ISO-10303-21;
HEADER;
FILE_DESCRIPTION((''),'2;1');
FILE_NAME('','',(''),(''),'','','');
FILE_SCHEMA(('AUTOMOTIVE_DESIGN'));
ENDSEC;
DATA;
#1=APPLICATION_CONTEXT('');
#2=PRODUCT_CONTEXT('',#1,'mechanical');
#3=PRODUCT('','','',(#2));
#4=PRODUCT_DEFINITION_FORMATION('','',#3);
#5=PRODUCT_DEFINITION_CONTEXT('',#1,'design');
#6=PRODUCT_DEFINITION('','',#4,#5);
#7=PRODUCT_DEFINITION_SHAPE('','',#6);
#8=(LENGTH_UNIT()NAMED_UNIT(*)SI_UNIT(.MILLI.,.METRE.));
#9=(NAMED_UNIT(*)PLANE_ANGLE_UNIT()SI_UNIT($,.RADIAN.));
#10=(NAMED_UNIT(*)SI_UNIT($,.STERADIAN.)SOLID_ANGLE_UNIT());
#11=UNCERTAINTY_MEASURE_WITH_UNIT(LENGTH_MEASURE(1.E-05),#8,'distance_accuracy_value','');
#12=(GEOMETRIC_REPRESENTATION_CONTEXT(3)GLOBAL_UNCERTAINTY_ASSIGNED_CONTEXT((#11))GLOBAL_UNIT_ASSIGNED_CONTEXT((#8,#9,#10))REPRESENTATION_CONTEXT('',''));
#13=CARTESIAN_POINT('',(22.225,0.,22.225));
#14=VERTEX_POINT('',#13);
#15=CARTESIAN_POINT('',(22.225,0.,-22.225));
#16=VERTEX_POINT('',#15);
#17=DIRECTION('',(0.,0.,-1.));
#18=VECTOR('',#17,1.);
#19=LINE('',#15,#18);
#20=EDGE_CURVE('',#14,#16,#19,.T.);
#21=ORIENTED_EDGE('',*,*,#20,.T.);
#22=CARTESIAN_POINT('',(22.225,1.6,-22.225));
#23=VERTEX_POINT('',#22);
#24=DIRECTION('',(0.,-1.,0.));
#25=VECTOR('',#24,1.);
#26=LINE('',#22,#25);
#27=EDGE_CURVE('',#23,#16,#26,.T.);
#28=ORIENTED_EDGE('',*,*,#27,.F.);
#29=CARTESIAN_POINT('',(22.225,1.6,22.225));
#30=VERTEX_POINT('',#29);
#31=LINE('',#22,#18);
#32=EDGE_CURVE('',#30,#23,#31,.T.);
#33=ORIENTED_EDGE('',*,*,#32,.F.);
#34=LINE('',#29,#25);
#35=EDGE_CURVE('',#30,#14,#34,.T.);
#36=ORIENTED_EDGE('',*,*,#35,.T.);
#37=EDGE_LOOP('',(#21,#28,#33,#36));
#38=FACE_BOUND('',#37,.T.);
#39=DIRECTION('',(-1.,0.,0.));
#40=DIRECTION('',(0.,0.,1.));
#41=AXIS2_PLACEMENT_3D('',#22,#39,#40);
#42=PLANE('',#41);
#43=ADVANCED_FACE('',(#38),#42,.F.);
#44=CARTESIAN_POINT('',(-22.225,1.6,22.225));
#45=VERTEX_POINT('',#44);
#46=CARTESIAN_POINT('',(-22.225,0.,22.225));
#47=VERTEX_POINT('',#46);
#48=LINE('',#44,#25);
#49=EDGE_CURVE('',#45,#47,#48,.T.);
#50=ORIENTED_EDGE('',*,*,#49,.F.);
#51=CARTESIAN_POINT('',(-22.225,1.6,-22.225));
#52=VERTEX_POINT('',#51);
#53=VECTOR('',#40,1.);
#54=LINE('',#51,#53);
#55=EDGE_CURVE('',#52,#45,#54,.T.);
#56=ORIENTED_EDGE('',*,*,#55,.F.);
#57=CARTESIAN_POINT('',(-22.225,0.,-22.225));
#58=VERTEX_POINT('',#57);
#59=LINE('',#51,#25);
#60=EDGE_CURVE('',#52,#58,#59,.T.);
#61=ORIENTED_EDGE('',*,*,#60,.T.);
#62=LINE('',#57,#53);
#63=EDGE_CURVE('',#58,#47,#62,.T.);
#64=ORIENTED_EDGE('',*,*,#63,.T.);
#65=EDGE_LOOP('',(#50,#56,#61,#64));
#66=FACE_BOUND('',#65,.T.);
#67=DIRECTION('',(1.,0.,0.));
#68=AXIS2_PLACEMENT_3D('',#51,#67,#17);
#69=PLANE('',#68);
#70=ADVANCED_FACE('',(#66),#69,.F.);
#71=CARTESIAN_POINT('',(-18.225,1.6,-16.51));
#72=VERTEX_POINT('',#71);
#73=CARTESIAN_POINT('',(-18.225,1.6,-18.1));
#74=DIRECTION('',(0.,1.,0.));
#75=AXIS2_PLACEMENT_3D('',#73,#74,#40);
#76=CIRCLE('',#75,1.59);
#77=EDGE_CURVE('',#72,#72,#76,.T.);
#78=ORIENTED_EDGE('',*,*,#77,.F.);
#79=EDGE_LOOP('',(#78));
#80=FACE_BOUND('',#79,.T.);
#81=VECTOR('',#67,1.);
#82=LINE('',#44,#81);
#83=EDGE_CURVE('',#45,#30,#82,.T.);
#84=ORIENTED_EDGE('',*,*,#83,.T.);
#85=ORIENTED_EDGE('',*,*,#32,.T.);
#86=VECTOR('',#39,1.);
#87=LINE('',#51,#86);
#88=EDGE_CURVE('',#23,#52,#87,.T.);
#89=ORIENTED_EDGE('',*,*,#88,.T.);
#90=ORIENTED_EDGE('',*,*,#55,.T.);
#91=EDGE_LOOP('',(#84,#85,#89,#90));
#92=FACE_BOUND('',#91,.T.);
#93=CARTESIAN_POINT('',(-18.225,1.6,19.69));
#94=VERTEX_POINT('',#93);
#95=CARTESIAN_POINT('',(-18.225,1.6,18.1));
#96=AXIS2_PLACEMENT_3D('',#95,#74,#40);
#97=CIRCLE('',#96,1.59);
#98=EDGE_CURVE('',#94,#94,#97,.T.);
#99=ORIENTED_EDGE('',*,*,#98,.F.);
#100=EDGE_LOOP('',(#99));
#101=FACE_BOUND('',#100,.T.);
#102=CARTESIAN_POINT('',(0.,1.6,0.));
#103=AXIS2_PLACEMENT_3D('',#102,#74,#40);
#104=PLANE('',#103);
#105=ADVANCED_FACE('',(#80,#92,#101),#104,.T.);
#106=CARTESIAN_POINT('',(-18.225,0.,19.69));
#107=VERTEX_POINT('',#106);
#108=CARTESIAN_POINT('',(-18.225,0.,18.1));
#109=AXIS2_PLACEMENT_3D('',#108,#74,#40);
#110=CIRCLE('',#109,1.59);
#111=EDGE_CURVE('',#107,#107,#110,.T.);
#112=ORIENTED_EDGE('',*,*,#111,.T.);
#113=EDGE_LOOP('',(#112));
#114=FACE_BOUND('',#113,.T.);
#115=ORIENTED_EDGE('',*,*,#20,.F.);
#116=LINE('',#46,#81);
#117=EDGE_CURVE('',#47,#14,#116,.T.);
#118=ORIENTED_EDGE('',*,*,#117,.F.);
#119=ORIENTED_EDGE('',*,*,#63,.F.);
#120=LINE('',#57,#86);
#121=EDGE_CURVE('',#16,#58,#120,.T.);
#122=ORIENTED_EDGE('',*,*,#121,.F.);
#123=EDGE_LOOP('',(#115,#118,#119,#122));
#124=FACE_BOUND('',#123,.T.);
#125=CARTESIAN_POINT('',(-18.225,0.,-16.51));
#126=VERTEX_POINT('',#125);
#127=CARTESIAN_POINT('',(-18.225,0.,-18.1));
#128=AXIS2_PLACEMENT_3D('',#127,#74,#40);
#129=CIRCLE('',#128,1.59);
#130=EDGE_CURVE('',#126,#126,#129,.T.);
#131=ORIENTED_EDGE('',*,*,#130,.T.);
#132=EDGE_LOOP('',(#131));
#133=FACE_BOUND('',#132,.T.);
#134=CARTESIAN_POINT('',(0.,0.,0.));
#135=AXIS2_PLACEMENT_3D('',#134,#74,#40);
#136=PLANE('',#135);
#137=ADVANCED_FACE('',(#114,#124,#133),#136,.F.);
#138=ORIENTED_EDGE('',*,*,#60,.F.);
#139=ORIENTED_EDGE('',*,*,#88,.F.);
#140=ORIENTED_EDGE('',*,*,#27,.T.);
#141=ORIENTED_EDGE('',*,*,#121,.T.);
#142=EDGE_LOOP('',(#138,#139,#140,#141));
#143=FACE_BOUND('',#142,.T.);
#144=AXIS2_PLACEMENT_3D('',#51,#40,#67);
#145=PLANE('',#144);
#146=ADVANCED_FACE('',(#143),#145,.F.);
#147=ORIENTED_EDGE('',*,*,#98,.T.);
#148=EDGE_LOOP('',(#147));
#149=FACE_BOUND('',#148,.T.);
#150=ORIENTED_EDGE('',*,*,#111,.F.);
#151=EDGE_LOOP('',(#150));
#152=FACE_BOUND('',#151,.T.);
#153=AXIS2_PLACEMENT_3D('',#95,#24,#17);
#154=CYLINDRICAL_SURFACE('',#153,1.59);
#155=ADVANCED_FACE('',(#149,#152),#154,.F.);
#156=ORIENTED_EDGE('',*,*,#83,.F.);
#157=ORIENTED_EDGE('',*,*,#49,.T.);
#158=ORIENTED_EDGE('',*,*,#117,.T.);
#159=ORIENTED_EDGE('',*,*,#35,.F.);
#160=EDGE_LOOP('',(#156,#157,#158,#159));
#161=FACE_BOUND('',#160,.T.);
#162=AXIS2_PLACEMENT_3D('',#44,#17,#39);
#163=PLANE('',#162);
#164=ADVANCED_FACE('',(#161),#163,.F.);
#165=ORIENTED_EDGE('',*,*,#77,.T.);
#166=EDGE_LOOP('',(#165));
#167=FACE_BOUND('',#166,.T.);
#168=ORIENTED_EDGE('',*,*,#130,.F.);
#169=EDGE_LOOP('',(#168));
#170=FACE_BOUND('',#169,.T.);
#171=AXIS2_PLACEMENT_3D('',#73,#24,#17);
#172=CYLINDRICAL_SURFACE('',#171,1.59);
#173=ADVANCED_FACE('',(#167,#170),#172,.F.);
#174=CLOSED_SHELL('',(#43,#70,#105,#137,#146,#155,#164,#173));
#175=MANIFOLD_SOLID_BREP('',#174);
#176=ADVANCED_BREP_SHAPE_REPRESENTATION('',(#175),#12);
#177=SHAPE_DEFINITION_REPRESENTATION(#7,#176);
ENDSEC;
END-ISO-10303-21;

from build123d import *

# Parameters (mm, degrees)
SKETCH1_W           = 44.45
SKETCH1_H           = 44.45
SKETCH1_R           = 1.59
BOSS_EXTRUDE1_DEPTH = 1.6


with BuildPart() as part:
    # Sketch1 → Boss-Extrude1 (new body)
    with BuildSketch(Plane(origin=(0, 0, 0), x_dir=(1, 0, 0), z_dir=(0, 1, 0))):
        Rectangle(SKETCH1_W, SKETCH1_H)
        with Locations(Location((-18.225, 18.1, 0), (0, 0, 270))):
            Circle(SKETCH1_R, mode=Mode.SUBTRACT)
        with Locations(Location((-18.225, -18.1, 0), (0, 0, 270))):
            Circle(SKETCH1_R, mode=Mode.SUBTRACT)
    extrude(amount=BOSS_EXTRUDE1_DEPTH)


solid = part.part
